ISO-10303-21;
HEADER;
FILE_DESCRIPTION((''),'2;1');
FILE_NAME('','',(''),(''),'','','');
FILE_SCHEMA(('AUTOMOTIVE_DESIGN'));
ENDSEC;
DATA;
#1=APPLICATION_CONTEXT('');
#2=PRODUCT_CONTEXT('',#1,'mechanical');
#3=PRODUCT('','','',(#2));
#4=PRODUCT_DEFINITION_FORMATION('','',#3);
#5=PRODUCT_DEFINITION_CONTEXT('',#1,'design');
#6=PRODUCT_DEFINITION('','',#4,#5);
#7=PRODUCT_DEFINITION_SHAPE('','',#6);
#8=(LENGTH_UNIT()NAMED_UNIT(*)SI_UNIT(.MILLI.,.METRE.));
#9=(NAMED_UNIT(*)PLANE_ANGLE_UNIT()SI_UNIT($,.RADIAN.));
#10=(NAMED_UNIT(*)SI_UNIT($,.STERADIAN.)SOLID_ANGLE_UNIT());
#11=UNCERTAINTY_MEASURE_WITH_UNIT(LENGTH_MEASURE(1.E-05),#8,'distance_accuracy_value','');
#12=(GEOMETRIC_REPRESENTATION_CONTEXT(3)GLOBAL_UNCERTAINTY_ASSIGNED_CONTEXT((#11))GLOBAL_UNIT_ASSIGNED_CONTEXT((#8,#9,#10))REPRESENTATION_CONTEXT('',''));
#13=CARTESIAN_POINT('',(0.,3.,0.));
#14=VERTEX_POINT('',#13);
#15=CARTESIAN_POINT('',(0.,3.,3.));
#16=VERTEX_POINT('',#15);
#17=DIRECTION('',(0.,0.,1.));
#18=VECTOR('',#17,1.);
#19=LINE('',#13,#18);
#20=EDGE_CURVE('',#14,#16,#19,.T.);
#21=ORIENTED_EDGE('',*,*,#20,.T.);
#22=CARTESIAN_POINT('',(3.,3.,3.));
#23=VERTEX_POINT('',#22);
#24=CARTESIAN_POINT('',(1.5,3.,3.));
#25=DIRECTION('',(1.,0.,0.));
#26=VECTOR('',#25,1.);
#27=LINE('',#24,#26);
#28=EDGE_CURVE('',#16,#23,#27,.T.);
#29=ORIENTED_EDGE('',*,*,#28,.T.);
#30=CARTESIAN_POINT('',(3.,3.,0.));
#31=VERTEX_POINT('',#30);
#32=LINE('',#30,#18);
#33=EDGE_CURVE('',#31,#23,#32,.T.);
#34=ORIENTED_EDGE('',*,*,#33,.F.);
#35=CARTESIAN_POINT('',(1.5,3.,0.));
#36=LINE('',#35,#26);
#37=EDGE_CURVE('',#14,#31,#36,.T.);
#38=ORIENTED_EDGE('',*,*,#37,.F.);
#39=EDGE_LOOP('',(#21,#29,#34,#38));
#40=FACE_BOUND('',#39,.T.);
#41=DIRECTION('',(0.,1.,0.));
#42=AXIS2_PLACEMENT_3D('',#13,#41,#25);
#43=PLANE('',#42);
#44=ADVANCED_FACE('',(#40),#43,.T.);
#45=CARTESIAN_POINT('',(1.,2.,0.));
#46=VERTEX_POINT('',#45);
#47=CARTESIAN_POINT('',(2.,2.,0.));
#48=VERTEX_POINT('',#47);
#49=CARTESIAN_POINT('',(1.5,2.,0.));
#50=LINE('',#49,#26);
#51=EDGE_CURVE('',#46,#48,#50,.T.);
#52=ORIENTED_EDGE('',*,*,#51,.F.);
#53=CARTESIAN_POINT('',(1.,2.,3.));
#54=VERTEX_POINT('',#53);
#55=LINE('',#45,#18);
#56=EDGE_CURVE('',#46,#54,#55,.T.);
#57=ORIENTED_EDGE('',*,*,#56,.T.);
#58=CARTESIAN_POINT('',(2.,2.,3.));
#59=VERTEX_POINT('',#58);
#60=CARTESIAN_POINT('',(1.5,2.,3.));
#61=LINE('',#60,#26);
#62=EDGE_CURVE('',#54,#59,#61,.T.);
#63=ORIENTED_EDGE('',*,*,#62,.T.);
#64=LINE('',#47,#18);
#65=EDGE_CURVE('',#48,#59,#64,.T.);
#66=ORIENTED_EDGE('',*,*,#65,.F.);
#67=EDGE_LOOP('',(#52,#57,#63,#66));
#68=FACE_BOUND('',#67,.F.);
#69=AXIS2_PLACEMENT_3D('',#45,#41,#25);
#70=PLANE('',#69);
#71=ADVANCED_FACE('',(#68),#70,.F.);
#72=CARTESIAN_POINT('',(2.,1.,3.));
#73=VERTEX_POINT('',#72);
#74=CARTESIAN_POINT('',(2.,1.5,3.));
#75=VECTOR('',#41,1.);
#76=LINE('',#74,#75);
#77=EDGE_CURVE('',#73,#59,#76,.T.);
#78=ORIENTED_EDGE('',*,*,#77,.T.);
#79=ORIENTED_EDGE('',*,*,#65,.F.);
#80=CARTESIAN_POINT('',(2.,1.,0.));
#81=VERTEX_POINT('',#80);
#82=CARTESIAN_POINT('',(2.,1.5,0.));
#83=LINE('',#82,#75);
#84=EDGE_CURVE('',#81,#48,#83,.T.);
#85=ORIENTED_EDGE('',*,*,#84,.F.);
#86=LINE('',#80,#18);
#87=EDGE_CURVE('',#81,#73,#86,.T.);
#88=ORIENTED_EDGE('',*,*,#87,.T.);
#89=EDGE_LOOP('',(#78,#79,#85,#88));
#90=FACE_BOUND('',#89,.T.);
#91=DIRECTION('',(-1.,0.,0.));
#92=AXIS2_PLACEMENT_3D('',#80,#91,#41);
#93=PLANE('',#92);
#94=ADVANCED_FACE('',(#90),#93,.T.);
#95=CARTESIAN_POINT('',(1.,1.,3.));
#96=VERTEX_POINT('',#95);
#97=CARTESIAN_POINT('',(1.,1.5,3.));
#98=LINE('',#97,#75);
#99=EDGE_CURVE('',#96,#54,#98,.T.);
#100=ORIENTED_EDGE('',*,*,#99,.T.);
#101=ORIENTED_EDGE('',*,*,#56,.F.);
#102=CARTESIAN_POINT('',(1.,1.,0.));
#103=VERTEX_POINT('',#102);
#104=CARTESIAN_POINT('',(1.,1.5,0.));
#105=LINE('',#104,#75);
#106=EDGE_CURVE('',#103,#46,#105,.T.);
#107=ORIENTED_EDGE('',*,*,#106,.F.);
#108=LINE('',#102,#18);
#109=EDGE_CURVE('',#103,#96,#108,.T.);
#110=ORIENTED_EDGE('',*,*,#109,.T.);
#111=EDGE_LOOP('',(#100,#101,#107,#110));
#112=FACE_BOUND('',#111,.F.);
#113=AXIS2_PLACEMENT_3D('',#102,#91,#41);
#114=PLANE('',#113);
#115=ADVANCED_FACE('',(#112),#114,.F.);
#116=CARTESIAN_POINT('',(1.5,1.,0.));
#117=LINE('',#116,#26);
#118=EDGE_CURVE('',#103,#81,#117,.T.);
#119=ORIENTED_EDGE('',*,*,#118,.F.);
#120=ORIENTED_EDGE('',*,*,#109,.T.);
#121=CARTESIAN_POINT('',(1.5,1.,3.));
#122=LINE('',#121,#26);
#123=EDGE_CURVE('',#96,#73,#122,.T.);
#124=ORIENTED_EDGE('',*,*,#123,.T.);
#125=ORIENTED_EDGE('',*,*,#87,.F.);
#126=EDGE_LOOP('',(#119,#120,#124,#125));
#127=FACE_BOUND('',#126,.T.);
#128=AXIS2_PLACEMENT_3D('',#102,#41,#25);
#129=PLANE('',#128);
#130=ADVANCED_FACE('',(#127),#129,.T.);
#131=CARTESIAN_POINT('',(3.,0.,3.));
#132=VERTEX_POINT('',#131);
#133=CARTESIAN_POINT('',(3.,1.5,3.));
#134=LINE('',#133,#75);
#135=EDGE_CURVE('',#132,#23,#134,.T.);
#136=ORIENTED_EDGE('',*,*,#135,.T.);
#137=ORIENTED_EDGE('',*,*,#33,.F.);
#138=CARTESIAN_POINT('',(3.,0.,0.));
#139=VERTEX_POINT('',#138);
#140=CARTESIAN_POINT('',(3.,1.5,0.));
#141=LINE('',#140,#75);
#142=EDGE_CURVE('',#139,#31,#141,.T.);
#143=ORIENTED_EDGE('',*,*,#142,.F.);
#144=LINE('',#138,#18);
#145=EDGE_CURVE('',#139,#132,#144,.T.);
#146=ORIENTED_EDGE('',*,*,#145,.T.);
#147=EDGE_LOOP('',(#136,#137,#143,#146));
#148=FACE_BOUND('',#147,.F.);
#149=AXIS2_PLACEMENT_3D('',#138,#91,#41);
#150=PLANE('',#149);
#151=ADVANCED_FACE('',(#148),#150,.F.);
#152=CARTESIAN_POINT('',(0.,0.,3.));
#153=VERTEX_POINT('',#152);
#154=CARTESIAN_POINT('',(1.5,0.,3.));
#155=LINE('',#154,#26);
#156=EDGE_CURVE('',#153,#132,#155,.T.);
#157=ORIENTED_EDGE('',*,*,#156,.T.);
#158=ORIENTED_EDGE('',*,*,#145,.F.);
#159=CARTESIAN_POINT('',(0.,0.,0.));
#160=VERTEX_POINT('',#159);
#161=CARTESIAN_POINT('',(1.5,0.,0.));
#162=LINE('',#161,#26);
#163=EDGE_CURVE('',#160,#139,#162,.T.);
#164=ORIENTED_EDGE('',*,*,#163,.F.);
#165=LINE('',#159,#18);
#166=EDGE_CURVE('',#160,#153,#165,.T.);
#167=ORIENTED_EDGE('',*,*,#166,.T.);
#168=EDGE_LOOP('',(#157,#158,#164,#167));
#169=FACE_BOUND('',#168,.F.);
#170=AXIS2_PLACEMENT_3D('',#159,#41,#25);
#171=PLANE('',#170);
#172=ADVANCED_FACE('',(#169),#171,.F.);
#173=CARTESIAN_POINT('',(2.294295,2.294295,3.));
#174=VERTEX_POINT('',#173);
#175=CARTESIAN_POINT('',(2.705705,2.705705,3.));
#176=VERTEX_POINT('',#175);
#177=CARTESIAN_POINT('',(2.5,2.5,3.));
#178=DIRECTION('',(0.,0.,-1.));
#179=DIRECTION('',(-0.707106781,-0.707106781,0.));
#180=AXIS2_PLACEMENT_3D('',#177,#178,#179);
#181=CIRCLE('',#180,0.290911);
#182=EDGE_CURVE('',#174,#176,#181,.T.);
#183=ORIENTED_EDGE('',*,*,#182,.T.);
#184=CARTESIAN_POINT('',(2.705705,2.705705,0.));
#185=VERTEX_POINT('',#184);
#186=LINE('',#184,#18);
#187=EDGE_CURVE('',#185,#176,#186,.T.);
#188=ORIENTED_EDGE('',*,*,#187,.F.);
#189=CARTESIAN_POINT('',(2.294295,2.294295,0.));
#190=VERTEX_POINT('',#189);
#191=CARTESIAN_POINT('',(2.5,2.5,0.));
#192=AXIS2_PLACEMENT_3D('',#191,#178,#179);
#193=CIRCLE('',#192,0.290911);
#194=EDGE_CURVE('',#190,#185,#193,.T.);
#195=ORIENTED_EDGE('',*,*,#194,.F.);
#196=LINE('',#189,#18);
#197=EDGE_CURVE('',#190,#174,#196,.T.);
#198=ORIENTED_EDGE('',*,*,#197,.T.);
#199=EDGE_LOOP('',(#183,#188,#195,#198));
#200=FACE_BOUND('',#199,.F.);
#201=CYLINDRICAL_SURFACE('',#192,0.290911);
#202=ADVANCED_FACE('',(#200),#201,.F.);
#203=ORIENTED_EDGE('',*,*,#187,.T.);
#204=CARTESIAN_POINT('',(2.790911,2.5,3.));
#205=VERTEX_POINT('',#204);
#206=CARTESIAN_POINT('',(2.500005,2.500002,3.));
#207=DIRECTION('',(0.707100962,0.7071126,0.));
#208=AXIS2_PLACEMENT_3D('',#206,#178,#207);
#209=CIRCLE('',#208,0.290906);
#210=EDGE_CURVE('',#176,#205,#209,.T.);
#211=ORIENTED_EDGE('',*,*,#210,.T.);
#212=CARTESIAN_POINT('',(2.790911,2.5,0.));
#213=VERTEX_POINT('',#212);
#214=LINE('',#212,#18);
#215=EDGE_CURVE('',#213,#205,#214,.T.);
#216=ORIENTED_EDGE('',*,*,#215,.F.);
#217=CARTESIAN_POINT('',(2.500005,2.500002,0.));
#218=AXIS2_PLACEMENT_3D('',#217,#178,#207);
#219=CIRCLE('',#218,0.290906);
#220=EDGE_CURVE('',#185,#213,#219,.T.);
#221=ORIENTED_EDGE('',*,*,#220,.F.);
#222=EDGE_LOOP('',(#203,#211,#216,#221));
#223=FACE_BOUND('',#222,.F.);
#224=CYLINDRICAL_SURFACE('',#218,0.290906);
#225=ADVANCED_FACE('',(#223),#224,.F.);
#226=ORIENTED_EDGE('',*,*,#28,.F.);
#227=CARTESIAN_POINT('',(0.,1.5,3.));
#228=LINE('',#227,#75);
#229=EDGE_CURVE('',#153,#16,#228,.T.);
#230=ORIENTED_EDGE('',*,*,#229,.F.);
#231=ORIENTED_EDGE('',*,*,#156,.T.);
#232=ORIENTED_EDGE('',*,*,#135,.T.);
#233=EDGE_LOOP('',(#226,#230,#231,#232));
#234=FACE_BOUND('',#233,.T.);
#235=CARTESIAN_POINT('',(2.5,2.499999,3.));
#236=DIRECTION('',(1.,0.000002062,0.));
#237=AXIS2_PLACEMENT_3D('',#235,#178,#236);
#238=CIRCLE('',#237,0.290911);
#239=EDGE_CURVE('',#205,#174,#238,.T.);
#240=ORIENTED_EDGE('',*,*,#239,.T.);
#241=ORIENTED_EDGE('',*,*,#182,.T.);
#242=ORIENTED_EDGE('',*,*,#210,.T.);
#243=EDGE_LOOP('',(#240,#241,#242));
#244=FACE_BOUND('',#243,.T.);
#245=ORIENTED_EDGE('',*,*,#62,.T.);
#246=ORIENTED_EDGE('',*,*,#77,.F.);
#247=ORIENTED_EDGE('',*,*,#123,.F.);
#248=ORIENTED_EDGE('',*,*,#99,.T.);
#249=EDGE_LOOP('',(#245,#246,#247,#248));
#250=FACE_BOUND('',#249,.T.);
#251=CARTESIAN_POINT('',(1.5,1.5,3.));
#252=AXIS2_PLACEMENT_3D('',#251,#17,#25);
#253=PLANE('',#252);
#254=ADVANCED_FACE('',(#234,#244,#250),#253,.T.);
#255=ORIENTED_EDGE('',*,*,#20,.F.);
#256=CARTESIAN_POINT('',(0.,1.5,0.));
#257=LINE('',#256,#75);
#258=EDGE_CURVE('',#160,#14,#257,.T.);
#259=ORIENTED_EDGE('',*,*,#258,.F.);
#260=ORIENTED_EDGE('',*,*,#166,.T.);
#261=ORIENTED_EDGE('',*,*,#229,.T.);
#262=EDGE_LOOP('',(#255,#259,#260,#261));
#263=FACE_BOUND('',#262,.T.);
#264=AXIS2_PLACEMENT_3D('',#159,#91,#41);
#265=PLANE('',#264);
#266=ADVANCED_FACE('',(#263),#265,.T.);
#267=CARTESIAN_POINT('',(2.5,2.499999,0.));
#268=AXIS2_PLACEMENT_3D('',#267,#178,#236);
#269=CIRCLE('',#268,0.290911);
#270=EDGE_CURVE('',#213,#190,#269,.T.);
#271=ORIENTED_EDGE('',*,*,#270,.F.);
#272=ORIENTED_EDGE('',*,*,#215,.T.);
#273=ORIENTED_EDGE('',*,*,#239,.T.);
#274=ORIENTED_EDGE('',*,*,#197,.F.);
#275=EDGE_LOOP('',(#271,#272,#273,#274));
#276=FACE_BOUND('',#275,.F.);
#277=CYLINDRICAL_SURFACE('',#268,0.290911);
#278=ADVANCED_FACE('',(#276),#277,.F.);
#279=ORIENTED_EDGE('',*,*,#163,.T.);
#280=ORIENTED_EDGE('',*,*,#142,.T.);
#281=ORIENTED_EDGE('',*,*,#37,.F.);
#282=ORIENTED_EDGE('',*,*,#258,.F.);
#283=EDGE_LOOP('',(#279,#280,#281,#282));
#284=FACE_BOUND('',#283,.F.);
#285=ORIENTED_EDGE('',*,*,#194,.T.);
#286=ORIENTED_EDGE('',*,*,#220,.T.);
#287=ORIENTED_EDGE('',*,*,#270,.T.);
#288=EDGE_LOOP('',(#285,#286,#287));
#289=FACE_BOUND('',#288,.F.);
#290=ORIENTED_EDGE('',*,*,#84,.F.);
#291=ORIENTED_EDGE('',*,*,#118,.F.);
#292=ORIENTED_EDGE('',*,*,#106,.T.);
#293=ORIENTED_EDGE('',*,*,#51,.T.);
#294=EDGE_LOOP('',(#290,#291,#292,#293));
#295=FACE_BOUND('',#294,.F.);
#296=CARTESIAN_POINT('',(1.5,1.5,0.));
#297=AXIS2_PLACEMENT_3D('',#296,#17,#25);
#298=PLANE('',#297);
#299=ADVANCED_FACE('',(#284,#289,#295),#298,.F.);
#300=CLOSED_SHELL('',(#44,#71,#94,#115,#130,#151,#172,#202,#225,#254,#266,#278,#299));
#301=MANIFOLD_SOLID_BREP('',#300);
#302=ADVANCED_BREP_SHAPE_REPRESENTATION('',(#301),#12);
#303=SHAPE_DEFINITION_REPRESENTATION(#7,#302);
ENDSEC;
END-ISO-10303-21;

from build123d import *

# Parameters (mm, degrees)
F0_W     = 3
F0_H     = 3
F0_W_2   = 1
F0_H_2   = 1
F1_DEPTH = 3


with BuildPart() as f1:
    # F0 (on Top) → F1 (new body)
    with BuildSketch(Plane.XY):
        with Locations((1.5, 1.5)):
            Rectangle(F0_W, F0_H)
        with Locations((1.5, 1.5)):
            Rectangle(F0_W_2, F0_H_2, mode=Mode.SUBTRACT)
        with BuildLine():
            ThreePointArc((2.294295, 2.294295), (2.294295, 2.705705), (2.705705, 2.705705))
            ThreePointArc((2.705705, 2.705705), (2.768767, 2.611327), (2.790911, 2.5))
            ThreePointArc((2.790911, 2.5), (2.611327, 2.231233), (2.294295, 2.294295))
        make_face(mode=Mode.SUBTRACT)
    extrude(amount=F1_DEPTH)


solid = f1.part
